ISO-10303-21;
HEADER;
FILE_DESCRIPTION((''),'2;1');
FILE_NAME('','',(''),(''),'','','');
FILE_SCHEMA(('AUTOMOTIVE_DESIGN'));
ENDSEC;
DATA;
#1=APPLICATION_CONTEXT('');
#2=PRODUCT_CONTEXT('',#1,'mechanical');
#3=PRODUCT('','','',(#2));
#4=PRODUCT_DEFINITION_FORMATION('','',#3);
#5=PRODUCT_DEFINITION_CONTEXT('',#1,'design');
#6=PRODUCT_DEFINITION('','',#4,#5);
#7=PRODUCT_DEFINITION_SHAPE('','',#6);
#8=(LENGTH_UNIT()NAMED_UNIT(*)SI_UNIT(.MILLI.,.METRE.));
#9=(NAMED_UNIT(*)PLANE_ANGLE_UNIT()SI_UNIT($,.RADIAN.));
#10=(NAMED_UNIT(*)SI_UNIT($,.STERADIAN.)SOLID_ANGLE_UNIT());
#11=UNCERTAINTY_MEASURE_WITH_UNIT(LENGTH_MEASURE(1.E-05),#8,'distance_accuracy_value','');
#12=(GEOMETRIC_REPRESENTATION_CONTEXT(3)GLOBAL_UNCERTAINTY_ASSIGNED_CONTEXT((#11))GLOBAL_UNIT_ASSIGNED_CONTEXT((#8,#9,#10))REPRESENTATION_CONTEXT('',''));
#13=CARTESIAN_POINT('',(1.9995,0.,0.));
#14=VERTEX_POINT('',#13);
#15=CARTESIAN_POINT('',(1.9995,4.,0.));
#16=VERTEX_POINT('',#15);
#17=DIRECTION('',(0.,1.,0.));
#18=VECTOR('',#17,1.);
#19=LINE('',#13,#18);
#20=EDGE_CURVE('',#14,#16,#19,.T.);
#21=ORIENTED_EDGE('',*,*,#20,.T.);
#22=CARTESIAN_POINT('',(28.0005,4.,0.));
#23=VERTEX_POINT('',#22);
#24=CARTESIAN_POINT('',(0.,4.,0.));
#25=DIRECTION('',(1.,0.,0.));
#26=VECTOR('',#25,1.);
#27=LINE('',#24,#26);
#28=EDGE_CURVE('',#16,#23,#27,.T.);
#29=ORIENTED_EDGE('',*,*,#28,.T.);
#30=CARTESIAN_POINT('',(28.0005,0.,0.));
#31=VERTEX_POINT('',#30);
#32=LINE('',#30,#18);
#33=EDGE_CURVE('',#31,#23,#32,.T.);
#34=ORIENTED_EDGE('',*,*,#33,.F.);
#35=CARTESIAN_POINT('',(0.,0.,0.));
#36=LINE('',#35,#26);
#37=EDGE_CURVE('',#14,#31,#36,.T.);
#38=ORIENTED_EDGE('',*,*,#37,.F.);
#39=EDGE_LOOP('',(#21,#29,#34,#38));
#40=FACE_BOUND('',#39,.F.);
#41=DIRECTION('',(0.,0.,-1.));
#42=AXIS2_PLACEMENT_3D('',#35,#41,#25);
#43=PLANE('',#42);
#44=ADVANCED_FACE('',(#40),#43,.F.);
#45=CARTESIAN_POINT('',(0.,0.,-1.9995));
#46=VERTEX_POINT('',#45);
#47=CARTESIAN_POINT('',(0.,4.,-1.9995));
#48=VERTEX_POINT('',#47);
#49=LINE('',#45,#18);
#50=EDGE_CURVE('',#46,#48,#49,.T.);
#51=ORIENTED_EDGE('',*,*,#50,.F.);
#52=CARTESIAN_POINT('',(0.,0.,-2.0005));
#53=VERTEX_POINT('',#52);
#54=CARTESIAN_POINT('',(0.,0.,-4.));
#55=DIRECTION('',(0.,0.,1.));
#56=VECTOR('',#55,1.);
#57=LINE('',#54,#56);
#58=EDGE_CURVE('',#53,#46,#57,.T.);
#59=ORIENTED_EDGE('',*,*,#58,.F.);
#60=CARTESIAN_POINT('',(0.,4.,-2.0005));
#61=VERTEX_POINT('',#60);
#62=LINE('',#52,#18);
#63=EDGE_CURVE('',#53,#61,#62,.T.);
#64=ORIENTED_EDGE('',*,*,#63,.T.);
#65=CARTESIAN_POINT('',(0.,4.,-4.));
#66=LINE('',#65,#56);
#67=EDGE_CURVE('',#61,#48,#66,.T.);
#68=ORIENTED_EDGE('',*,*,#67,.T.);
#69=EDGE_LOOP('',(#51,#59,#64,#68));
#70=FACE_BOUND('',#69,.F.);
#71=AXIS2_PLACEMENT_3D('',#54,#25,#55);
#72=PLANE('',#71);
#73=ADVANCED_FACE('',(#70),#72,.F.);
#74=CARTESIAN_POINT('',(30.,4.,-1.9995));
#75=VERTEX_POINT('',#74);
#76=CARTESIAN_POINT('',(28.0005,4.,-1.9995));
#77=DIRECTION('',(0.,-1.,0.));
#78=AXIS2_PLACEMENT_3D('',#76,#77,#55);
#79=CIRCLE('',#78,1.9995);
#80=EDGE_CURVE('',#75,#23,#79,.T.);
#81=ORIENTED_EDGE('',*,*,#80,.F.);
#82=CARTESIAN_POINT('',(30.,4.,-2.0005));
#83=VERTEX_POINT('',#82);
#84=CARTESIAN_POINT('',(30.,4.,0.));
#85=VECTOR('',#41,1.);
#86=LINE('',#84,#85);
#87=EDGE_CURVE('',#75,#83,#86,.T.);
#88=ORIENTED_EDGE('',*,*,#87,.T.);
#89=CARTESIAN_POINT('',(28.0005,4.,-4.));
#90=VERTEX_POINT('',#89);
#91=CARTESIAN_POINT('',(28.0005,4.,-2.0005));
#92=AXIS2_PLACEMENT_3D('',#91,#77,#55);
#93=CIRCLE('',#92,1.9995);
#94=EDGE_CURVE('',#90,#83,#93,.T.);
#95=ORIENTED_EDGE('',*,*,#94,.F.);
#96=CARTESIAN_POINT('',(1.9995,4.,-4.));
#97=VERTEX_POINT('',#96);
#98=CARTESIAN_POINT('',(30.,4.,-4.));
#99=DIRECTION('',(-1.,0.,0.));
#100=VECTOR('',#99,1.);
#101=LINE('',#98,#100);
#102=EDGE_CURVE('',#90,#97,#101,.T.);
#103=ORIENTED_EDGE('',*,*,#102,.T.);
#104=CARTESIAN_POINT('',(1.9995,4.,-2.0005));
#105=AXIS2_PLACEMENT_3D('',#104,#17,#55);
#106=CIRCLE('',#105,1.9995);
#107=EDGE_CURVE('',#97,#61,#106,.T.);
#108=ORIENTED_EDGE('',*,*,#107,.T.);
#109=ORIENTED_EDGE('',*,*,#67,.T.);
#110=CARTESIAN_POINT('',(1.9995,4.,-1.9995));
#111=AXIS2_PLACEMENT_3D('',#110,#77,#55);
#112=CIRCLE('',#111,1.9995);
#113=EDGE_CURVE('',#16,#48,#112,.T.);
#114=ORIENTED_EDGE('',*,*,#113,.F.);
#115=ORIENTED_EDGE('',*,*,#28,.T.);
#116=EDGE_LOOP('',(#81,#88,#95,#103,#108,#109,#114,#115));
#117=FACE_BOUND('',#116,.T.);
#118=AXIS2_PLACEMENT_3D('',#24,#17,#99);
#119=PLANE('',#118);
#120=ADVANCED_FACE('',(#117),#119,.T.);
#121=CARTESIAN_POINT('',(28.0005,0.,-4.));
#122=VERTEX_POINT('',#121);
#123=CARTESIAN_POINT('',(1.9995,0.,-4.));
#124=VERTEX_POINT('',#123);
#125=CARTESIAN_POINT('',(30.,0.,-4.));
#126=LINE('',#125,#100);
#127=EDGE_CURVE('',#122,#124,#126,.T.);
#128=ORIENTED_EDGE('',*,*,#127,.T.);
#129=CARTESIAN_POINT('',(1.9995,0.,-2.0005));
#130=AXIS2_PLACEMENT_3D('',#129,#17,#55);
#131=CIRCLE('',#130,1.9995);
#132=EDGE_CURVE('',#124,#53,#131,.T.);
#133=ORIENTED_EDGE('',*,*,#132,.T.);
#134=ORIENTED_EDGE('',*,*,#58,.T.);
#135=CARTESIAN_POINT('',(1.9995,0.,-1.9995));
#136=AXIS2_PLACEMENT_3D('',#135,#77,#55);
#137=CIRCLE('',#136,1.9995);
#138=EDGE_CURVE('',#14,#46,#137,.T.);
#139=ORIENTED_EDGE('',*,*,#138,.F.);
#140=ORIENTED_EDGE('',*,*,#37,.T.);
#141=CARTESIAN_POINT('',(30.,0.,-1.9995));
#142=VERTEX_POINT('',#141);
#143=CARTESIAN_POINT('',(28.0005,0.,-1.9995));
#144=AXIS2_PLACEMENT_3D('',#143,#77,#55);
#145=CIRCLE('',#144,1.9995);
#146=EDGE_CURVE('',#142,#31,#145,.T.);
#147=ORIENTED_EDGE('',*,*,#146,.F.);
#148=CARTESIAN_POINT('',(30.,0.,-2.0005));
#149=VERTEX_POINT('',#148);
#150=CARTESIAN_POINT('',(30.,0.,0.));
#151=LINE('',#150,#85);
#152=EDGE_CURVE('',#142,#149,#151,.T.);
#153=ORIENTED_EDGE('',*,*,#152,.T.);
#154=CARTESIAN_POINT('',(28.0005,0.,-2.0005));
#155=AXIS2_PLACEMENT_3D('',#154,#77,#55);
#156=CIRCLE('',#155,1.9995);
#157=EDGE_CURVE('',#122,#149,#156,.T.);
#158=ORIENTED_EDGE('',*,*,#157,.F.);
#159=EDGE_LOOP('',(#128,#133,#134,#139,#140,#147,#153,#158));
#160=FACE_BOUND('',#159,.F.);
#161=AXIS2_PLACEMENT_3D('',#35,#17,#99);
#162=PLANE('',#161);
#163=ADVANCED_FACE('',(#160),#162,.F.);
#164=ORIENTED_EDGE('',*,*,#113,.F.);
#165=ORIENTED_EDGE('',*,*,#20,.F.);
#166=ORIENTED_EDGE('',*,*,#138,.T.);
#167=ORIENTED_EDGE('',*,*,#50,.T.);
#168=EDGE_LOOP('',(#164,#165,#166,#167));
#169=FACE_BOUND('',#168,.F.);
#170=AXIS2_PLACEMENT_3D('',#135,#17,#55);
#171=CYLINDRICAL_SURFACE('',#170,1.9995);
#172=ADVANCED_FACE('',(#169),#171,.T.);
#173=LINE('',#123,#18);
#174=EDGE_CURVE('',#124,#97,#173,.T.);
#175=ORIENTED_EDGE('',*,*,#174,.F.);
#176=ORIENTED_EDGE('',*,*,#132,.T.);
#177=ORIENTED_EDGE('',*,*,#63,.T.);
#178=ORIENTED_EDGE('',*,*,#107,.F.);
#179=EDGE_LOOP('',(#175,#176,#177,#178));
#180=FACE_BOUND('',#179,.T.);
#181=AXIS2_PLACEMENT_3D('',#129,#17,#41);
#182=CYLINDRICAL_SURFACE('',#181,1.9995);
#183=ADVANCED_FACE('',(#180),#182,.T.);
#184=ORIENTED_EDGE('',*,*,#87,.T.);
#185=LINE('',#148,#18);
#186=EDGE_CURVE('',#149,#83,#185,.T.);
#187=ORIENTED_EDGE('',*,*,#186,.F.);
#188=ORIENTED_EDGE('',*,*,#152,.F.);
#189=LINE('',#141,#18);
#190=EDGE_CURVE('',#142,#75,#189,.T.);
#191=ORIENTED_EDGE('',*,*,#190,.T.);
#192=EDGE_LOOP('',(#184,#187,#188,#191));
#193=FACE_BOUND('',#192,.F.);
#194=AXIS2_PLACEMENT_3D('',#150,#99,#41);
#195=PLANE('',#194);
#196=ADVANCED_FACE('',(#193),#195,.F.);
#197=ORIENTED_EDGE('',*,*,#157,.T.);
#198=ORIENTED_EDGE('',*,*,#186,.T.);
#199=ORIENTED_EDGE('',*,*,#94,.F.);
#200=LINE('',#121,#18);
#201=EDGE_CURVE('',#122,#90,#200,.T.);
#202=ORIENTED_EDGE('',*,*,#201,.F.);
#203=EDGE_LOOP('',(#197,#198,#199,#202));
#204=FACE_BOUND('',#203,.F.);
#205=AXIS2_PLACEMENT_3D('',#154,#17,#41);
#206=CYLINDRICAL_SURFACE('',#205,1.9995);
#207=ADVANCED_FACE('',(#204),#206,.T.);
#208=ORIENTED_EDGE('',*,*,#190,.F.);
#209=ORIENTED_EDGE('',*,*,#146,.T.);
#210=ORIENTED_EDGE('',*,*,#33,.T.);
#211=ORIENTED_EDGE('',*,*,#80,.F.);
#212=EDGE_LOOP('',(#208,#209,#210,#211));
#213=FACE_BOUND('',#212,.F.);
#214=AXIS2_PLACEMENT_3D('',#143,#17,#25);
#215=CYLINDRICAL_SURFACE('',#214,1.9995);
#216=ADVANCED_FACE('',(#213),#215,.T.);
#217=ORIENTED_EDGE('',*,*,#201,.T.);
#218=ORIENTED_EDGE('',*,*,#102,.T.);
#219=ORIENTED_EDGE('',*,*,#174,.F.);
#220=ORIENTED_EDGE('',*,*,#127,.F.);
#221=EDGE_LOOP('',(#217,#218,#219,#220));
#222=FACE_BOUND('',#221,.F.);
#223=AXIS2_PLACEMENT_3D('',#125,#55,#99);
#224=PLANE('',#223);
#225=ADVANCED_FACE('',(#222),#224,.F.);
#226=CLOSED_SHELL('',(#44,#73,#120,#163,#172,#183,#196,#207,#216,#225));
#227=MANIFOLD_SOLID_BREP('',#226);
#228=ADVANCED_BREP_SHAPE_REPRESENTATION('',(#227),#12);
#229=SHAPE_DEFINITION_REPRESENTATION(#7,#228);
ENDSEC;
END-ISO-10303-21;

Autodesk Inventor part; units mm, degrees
ref_plane "YZ Plane" through (0, 0, 0) normal (1, 0, 0) x (0, 1, 0)
ref_plane "XZ Plane" through (0, 0, 0) normal (0, 1, 0) x (-1, 0, 0)
ref_plane "XY Plane" through (0, 0, 0) normal (0, 0, 1) x (1, 0, 0)
sketch "__1" plane through (0, 0, 0) normal (0, 1, 0) x (-1, 0, 0)
  line L0 (0, -4) -> (0, 0)
  line L1 (0, 0) -> (-30, 0)
  line L2 (-30, 0) -> (-30, -4)
  line L3 (-30, -4) -> (0, -4)
extrude "Extrusion1" add sketch "__1" along normal blind 4
fillet "Fillet1" radius 2 4 edges at (0, 2, -4) (30, 2, -4) (30, 2, 0) (0, 2, 0)
properties part number "KKES04-030" material "Steel"
